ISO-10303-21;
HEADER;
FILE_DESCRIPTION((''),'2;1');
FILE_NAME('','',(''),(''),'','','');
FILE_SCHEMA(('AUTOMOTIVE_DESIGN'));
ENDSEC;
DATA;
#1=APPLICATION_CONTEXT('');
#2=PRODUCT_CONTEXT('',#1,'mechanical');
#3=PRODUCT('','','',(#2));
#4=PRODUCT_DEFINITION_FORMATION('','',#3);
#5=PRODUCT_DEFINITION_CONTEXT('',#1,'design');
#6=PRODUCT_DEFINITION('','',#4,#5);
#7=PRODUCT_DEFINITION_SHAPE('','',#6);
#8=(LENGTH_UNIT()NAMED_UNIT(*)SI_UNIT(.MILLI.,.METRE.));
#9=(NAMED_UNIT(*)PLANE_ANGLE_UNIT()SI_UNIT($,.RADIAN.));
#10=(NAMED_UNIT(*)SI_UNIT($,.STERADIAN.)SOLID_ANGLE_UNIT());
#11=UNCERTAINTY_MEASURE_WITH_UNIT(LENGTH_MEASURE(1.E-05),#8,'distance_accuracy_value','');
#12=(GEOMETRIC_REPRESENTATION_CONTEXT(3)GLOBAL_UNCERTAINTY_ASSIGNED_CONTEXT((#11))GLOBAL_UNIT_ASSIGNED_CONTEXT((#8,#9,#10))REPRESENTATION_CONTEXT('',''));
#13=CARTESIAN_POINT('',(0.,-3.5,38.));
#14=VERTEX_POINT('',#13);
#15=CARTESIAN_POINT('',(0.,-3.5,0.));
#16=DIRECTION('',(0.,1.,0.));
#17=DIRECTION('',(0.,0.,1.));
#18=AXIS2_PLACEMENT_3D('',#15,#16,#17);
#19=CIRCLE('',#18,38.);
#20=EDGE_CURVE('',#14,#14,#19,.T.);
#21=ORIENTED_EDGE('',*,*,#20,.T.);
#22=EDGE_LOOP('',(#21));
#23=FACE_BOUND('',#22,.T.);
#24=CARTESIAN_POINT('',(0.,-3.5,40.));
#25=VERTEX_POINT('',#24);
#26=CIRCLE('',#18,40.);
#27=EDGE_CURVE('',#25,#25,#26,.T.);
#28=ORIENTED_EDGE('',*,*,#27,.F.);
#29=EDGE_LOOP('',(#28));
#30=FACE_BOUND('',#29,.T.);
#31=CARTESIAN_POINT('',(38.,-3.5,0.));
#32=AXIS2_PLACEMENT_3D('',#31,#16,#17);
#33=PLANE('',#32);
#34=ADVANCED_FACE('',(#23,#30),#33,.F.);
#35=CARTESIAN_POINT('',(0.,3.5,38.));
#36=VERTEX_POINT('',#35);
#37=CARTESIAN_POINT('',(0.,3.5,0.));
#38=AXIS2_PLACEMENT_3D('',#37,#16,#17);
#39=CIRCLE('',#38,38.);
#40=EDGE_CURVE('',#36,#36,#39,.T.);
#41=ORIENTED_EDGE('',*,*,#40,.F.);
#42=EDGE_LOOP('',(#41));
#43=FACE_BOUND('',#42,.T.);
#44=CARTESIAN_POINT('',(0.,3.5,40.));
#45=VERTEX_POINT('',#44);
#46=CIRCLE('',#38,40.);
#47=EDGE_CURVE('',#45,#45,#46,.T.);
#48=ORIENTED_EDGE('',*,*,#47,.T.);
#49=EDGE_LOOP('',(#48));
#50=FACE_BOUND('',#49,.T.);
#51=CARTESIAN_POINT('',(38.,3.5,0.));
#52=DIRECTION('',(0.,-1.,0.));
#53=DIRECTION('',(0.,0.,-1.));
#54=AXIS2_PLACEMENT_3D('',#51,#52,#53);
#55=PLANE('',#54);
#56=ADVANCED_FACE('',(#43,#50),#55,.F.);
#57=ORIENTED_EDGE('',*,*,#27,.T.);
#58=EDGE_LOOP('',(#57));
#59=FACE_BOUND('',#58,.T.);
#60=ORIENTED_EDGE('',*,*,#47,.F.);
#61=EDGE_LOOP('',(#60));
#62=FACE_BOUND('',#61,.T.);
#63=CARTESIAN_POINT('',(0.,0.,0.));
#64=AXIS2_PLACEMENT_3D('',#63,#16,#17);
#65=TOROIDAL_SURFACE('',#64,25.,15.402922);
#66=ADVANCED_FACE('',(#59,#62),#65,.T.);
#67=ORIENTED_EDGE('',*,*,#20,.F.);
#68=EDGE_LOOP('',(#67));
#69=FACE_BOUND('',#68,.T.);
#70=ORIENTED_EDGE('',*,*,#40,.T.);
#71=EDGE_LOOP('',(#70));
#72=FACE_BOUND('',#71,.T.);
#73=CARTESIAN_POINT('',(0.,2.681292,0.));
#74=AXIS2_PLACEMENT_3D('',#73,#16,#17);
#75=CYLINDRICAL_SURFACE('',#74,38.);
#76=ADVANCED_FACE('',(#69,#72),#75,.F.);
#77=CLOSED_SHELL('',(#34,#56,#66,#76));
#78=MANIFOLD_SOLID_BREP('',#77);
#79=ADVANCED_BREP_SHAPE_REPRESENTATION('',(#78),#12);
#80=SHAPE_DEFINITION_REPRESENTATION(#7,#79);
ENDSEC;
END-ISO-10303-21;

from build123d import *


with BuildPart() as part:
    # Sketch1 → Revolve1 (revolve)
    with BuildSketch(Plane.XY):
        with BuildLine():
            Line((38, 3.5), (40, 3.5))
            ThreePointArc((40, 3.5), (40.402921801, 0), (40, -3.5))
            Line((40, -3.5), (38, -3.5))
            Line((38, -3.5), (38, 3.5))
        make_face()
    revolve(axis=Axis((0, 2.681291581, 0), (0, -1, 0)))


solid = part.part
